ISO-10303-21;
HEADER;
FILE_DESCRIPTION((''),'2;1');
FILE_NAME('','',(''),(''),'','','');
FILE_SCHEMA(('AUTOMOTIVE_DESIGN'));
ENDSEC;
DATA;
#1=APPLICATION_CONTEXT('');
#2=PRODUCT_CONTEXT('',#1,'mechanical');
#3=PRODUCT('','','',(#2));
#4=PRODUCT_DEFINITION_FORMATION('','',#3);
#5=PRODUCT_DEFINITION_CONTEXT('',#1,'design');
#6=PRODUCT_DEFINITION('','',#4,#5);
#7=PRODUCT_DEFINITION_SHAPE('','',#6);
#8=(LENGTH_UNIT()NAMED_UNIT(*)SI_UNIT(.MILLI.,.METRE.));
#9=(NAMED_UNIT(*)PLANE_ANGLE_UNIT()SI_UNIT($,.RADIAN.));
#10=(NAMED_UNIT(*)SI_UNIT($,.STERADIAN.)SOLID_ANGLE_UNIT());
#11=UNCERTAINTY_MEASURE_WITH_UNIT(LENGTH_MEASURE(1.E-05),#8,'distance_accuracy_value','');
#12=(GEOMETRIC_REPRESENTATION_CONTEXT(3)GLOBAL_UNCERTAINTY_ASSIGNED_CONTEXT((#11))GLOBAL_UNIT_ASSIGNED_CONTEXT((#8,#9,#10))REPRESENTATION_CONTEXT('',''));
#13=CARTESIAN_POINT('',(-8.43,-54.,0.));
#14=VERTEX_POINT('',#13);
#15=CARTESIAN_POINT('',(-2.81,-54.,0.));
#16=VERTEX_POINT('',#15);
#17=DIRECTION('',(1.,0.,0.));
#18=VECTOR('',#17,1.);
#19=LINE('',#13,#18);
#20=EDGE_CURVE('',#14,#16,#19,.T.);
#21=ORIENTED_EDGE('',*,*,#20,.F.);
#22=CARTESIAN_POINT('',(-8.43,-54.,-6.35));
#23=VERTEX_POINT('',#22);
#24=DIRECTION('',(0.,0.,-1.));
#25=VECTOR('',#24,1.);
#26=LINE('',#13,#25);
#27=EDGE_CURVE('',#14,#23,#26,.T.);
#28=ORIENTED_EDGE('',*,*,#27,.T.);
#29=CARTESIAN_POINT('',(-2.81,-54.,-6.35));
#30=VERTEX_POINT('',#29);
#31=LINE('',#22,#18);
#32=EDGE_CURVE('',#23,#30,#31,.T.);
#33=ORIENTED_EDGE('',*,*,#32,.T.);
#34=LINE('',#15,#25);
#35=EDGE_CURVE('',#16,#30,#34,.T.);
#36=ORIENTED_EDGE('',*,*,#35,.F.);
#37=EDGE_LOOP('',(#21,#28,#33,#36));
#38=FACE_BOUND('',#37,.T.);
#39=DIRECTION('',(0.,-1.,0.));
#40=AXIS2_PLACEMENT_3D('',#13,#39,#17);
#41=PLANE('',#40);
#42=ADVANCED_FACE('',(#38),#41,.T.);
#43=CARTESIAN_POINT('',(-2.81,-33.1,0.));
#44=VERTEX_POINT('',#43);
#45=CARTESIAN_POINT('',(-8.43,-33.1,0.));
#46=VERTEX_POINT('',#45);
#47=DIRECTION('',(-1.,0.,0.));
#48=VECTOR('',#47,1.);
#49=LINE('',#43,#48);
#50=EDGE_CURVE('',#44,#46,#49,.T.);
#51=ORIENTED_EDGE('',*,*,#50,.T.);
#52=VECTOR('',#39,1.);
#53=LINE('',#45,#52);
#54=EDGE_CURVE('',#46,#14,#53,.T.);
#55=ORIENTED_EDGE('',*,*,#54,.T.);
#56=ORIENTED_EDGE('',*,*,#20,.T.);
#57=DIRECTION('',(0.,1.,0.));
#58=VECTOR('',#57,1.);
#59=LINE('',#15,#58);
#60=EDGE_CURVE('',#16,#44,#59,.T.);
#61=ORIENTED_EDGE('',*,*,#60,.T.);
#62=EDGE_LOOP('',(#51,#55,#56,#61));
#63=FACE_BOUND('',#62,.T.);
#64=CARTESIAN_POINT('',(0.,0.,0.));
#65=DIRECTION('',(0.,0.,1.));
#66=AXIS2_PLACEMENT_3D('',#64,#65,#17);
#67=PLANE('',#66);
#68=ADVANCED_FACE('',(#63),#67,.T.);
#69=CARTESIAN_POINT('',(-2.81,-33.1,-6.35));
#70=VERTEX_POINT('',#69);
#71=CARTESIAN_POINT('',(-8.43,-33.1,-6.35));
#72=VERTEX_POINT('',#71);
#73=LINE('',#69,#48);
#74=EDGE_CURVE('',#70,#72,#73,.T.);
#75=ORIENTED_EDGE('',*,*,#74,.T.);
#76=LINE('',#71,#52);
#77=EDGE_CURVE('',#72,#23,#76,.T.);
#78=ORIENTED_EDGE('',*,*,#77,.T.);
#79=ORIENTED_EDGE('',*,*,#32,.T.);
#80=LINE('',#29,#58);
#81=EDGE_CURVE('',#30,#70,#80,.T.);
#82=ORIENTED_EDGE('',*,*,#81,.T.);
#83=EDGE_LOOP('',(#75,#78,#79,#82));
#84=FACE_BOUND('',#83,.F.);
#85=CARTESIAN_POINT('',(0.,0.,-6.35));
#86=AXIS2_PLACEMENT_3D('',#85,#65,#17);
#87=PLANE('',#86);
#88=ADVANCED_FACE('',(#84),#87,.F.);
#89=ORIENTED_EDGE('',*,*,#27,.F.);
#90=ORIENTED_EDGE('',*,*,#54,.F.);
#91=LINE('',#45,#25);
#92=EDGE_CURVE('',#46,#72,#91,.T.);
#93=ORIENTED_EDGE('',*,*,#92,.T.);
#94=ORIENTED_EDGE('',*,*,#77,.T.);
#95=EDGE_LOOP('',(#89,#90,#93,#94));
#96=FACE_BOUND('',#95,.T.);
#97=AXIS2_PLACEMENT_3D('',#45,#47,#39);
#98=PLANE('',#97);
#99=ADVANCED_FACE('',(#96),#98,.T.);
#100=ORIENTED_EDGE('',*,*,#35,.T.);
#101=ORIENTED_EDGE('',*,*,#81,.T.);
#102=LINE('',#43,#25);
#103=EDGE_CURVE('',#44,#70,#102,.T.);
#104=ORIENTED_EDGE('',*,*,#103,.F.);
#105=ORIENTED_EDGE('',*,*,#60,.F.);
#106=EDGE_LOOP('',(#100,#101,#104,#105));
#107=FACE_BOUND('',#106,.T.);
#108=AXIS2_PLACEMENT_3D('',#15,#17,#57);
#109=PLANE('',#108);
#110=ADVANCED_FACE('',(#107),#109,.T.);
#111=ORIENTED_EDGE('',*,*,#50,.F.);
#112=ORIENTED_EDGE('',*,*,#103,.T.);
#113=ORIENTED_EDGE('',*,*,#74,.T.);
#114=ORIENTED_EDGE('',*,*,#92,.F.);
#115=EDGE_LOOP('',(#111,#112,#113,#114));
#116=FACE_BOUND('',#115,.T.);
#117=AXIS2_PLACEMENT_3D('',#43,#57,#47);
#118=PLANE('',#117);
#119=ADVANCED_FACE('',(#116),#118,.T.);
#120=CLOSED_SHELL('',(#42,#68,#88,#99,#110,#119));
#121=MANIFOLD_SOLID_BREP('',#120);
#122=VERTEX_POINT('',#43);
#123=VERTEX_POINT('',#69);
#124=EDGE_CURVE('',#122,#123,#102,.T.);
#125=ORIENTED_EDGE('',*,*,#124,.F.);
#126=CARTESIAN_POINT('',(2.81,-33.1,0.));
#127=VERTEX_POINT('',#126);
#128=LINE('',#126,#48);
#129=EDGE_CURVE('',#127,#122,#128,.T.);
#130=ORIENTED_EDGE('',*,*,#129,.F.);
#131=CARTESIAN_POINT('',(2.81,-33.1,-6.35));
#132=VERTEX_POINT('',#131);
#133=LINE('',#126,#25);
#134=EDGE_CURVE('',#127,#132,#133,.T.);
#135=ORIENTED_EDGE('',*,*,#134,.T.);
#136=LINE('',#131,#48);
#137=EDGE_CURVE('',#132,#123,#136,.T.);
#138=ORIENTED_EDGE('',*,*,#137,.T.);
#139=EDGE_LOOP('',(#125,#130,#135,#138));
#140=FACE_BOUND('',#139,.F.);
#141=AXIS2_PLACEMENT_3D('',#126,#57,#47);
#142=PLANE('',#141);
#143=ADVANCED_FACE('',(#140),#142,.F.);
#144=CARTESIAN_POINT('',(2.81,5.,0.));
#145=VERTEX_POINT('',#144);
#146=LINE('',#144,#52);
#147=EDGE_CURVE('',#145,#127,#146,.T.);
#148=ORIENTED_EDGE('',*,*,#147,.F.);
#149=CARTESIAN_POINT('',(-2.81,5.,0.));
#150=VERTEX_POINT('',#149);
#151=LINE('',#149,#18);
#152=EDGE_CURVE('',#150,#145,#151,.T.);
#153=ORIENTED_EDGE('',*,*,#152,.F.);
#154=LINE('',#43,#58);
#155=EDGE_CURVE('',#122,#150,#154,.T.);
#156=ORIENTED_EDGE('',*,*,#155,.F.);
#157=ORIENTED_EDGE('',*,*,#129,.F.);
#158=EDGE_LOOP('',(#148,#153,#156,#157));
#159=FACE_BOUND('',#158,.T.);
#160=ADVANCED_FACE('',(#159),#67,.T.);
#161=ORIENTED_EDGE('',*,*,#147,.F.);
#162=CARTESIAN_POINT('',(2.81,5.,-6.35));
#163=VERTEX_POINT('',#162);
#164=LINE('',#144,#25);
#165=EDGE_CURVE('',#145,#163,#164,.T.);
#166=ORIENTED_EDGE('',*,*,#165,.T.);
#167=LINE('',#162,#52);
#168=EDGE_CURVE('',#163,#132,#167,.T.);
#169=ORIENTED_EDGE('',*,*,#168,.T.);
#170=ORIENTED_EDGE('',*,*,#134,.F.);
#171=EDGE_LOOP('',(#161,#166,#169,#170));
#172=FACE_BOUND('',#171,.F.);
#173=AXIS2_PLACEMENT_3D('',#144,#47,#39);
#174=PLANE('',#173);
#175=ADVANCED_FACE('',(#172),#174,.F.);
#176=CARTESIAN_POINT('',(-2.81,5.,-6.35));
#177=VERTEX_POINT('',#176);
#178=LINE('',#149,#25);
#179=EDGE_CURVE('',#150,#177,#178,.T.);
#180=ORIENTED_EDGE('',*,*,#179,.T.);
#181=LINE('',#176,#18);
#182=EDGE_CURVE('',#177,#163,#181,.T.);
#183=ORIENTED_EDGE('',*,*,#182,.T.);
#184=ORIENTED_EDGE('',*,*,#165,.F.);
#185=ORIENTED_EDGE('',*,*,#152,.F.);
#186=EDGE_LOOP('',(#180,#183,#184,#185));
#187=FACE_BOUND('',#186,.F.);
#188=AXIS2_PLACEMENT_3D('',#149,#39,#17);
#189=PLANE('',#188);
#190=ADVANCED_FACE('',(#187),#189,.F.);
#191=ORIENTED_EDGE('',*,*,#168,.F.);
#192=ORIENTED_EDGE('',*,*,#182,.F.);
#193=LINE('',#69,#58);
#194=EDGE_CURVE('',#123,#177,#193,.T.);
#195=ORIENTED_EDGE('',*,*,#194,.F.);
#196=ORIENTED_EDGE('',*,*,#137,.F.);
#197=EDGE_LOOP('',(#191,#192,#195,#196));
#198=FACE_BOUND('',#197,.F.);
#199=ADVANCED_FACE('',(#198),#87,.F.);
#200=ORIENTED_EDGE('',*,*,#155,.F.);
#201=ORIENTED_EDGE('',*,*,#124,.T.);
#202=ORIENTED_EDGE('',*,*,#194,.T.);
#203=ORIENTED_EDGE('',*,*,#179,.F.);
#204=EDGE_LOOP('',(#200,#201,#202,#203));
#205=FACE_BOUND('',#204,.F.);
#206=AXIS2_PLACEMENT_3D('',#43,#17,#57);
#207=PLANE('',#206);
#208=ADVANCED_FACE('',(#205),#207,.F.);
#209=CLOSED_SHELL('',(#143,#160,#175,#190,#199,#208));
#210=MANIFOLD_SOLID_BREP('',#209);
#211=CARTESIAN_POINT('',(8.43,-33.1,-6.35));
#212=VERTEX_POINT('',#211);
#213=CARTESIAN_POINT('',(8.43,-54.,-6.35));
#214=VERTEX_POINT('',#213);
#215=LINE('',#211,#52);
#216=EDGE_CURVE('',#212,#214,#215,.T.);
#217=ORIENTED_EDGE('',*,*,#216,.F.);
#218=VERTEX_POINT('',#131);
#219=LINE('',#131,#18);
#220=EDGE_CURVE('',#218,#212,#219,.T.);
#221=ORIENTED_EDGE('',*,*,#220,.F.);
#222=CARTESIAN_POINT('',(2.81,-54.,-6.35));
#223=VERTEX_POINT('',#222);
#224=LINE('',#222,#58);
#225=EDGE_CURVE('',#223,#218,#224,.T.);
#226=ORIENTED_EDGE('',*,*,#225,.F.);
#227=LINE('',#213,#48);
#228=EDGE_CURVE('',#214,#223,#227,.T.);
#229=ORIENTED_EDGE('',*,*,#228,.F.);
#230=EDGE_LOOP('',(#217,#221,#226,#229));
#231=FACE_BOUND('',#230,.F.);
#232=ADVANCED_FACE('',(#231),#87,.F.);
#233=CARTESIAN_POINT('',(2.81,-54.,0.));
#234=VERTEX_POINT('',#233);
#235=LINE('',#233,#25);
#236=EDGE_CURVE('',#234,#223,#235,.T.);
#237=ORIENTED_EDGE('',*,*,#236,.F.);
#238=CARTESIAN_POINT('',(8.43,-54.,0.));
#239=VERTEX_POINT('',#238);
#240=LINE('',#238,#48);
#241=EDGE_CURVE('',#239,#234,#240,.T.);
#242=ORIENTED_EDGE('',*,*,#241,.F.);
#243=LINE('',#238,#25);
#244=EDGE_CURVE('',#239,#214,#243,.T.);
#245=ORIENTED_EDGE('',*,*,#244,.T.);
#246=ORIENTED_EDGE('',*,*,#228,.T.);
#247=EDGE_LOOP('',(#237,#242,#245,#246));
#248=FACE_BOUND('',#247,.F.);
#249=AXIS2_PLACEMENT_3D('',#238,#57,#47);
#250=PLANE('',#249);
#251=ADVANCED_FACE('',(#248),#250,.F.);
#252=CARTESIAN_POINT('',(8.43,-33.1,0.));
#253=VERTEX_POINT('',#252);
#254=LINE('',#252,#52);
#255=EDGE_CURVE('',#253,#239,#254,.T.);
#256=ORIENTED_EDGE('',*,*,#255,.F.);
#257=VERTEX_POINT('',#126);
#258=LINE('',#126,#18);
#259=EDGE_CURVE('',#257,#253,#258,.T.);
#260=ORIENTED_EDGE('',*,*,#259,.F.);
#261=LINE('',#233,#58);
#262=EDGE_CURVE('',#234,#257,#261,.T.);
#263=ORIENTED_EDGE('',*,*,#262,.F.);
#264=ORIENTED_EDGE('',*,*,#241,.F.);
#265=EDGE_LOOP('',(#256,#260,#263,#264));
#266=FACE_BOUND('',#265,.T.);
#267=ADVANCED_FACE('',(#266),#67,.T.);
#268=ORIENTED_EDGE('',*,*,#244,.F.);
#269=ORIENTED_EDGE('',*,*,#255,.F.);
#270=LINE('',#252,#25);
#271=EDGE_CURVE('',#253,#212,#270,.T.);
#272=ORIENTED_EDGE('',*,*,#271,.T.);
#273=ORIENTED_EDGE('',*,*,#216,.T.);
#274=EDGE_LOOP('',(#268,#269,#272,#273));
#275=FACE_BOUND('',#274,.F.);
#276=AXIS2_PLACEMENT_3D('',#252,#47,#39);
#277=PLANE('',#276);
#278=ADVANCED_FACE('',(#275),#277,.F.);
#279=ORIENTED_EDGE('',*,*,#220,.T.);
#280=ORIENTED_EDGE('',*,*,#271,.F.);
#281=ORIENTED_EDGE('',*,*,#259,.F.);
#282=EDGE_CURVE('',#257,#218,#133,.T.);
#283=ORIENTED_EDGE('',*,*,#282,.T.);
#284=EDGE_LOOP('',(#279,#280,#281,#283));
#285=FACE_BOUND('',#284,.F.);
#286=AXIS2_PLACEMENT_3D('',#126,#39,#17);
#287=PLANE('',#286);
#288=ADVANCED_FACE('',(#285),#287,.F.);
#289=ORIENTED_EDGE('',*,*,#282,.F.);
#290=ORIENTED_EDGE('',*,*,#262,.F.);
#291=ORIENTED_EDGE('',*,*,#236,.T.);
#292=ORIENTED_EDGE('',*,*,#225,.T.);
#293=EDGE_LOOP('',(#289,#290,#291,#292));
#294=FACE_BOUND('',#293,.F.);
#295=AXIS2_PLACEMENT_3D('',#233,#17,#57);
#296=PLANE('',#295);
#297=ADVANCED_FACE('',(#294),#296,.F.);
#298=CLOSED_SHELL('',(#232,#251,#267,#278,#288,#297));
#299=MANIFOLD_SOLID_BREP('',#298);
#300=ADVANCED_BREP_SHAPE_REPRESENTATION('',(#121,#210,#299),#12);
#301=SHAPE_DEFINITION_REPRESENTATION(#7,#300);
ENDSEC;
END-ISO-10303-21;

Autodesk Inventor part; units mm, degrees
ref_plane "YZ Plane" through (0, 0, 0) normal (1, 0, 0) x (0, 1, 0)
ref_plane "XZ Plane" through (0, 0, 0) normal (0, 1, 0) x (-1, 0, 0)
sketch "Sketch1" plane through (0, 0, 0) normal (0, 0, 1) x (1, 0, 0)
  line L0 (-2.81, 5) -> (2.81, 5)
  line L1 (2.81, 5) -> (2.81, -33.1)
  line L2 (2.81, -33.1) -> (-2.81, -33.1)
  line L3 (-2.81, -33.1) -> (-2.81, 5)
  line L4 (-2.81, -33.1) -> (-8.43, -33.1)
  line L5 (-8.43, -33.1) -> (-8.43, -54)
  line L6 (-8.43, -54) -> (-2.81, -54)
  line L7 (-2.81, -54) -> (-2.81, -33.1)
  line L8 (-3.81, 1) -> (-3.81, -16.3736) construction
  line L9 (3.81, -16.3736) -> (3.81, 1) construction
  line L10 (-0.64, 6) -> (-3.81, 6) construction
  line L11 (-9.398, -55) -> (-6.228, -55) projected
  line L12 (0, -67.2) -> (0, 18.2) construction
  line L13 (2.81, -33.1) -> (8.43, -33.1)
  line L14 (8.43, -33.1) -> (8.43, -54)
  line L15 (8.43, -54) -> (2.81, -54)
  line L16 (2.81, -54) -> (2.81, -33.1)
  point P0 (0, 0)
  point P1 (-7.813, -55)
  dimension "d0" = 1
  dimension "d1" = 1
  dimension "d2" = 1
  dimension "d3" = 38.1
  dimension "d4" = 1
ref_plane "Work Plane1" through (6.228, -54, -6.35) normal (0, 0, -1) x (0, 1, 0)
extrude "Extrusion1" add sketch "Sketch1" against normal up to surface (6.35 mm away)
properties part number "ForearmActuatorConnectorBoundingBox"
